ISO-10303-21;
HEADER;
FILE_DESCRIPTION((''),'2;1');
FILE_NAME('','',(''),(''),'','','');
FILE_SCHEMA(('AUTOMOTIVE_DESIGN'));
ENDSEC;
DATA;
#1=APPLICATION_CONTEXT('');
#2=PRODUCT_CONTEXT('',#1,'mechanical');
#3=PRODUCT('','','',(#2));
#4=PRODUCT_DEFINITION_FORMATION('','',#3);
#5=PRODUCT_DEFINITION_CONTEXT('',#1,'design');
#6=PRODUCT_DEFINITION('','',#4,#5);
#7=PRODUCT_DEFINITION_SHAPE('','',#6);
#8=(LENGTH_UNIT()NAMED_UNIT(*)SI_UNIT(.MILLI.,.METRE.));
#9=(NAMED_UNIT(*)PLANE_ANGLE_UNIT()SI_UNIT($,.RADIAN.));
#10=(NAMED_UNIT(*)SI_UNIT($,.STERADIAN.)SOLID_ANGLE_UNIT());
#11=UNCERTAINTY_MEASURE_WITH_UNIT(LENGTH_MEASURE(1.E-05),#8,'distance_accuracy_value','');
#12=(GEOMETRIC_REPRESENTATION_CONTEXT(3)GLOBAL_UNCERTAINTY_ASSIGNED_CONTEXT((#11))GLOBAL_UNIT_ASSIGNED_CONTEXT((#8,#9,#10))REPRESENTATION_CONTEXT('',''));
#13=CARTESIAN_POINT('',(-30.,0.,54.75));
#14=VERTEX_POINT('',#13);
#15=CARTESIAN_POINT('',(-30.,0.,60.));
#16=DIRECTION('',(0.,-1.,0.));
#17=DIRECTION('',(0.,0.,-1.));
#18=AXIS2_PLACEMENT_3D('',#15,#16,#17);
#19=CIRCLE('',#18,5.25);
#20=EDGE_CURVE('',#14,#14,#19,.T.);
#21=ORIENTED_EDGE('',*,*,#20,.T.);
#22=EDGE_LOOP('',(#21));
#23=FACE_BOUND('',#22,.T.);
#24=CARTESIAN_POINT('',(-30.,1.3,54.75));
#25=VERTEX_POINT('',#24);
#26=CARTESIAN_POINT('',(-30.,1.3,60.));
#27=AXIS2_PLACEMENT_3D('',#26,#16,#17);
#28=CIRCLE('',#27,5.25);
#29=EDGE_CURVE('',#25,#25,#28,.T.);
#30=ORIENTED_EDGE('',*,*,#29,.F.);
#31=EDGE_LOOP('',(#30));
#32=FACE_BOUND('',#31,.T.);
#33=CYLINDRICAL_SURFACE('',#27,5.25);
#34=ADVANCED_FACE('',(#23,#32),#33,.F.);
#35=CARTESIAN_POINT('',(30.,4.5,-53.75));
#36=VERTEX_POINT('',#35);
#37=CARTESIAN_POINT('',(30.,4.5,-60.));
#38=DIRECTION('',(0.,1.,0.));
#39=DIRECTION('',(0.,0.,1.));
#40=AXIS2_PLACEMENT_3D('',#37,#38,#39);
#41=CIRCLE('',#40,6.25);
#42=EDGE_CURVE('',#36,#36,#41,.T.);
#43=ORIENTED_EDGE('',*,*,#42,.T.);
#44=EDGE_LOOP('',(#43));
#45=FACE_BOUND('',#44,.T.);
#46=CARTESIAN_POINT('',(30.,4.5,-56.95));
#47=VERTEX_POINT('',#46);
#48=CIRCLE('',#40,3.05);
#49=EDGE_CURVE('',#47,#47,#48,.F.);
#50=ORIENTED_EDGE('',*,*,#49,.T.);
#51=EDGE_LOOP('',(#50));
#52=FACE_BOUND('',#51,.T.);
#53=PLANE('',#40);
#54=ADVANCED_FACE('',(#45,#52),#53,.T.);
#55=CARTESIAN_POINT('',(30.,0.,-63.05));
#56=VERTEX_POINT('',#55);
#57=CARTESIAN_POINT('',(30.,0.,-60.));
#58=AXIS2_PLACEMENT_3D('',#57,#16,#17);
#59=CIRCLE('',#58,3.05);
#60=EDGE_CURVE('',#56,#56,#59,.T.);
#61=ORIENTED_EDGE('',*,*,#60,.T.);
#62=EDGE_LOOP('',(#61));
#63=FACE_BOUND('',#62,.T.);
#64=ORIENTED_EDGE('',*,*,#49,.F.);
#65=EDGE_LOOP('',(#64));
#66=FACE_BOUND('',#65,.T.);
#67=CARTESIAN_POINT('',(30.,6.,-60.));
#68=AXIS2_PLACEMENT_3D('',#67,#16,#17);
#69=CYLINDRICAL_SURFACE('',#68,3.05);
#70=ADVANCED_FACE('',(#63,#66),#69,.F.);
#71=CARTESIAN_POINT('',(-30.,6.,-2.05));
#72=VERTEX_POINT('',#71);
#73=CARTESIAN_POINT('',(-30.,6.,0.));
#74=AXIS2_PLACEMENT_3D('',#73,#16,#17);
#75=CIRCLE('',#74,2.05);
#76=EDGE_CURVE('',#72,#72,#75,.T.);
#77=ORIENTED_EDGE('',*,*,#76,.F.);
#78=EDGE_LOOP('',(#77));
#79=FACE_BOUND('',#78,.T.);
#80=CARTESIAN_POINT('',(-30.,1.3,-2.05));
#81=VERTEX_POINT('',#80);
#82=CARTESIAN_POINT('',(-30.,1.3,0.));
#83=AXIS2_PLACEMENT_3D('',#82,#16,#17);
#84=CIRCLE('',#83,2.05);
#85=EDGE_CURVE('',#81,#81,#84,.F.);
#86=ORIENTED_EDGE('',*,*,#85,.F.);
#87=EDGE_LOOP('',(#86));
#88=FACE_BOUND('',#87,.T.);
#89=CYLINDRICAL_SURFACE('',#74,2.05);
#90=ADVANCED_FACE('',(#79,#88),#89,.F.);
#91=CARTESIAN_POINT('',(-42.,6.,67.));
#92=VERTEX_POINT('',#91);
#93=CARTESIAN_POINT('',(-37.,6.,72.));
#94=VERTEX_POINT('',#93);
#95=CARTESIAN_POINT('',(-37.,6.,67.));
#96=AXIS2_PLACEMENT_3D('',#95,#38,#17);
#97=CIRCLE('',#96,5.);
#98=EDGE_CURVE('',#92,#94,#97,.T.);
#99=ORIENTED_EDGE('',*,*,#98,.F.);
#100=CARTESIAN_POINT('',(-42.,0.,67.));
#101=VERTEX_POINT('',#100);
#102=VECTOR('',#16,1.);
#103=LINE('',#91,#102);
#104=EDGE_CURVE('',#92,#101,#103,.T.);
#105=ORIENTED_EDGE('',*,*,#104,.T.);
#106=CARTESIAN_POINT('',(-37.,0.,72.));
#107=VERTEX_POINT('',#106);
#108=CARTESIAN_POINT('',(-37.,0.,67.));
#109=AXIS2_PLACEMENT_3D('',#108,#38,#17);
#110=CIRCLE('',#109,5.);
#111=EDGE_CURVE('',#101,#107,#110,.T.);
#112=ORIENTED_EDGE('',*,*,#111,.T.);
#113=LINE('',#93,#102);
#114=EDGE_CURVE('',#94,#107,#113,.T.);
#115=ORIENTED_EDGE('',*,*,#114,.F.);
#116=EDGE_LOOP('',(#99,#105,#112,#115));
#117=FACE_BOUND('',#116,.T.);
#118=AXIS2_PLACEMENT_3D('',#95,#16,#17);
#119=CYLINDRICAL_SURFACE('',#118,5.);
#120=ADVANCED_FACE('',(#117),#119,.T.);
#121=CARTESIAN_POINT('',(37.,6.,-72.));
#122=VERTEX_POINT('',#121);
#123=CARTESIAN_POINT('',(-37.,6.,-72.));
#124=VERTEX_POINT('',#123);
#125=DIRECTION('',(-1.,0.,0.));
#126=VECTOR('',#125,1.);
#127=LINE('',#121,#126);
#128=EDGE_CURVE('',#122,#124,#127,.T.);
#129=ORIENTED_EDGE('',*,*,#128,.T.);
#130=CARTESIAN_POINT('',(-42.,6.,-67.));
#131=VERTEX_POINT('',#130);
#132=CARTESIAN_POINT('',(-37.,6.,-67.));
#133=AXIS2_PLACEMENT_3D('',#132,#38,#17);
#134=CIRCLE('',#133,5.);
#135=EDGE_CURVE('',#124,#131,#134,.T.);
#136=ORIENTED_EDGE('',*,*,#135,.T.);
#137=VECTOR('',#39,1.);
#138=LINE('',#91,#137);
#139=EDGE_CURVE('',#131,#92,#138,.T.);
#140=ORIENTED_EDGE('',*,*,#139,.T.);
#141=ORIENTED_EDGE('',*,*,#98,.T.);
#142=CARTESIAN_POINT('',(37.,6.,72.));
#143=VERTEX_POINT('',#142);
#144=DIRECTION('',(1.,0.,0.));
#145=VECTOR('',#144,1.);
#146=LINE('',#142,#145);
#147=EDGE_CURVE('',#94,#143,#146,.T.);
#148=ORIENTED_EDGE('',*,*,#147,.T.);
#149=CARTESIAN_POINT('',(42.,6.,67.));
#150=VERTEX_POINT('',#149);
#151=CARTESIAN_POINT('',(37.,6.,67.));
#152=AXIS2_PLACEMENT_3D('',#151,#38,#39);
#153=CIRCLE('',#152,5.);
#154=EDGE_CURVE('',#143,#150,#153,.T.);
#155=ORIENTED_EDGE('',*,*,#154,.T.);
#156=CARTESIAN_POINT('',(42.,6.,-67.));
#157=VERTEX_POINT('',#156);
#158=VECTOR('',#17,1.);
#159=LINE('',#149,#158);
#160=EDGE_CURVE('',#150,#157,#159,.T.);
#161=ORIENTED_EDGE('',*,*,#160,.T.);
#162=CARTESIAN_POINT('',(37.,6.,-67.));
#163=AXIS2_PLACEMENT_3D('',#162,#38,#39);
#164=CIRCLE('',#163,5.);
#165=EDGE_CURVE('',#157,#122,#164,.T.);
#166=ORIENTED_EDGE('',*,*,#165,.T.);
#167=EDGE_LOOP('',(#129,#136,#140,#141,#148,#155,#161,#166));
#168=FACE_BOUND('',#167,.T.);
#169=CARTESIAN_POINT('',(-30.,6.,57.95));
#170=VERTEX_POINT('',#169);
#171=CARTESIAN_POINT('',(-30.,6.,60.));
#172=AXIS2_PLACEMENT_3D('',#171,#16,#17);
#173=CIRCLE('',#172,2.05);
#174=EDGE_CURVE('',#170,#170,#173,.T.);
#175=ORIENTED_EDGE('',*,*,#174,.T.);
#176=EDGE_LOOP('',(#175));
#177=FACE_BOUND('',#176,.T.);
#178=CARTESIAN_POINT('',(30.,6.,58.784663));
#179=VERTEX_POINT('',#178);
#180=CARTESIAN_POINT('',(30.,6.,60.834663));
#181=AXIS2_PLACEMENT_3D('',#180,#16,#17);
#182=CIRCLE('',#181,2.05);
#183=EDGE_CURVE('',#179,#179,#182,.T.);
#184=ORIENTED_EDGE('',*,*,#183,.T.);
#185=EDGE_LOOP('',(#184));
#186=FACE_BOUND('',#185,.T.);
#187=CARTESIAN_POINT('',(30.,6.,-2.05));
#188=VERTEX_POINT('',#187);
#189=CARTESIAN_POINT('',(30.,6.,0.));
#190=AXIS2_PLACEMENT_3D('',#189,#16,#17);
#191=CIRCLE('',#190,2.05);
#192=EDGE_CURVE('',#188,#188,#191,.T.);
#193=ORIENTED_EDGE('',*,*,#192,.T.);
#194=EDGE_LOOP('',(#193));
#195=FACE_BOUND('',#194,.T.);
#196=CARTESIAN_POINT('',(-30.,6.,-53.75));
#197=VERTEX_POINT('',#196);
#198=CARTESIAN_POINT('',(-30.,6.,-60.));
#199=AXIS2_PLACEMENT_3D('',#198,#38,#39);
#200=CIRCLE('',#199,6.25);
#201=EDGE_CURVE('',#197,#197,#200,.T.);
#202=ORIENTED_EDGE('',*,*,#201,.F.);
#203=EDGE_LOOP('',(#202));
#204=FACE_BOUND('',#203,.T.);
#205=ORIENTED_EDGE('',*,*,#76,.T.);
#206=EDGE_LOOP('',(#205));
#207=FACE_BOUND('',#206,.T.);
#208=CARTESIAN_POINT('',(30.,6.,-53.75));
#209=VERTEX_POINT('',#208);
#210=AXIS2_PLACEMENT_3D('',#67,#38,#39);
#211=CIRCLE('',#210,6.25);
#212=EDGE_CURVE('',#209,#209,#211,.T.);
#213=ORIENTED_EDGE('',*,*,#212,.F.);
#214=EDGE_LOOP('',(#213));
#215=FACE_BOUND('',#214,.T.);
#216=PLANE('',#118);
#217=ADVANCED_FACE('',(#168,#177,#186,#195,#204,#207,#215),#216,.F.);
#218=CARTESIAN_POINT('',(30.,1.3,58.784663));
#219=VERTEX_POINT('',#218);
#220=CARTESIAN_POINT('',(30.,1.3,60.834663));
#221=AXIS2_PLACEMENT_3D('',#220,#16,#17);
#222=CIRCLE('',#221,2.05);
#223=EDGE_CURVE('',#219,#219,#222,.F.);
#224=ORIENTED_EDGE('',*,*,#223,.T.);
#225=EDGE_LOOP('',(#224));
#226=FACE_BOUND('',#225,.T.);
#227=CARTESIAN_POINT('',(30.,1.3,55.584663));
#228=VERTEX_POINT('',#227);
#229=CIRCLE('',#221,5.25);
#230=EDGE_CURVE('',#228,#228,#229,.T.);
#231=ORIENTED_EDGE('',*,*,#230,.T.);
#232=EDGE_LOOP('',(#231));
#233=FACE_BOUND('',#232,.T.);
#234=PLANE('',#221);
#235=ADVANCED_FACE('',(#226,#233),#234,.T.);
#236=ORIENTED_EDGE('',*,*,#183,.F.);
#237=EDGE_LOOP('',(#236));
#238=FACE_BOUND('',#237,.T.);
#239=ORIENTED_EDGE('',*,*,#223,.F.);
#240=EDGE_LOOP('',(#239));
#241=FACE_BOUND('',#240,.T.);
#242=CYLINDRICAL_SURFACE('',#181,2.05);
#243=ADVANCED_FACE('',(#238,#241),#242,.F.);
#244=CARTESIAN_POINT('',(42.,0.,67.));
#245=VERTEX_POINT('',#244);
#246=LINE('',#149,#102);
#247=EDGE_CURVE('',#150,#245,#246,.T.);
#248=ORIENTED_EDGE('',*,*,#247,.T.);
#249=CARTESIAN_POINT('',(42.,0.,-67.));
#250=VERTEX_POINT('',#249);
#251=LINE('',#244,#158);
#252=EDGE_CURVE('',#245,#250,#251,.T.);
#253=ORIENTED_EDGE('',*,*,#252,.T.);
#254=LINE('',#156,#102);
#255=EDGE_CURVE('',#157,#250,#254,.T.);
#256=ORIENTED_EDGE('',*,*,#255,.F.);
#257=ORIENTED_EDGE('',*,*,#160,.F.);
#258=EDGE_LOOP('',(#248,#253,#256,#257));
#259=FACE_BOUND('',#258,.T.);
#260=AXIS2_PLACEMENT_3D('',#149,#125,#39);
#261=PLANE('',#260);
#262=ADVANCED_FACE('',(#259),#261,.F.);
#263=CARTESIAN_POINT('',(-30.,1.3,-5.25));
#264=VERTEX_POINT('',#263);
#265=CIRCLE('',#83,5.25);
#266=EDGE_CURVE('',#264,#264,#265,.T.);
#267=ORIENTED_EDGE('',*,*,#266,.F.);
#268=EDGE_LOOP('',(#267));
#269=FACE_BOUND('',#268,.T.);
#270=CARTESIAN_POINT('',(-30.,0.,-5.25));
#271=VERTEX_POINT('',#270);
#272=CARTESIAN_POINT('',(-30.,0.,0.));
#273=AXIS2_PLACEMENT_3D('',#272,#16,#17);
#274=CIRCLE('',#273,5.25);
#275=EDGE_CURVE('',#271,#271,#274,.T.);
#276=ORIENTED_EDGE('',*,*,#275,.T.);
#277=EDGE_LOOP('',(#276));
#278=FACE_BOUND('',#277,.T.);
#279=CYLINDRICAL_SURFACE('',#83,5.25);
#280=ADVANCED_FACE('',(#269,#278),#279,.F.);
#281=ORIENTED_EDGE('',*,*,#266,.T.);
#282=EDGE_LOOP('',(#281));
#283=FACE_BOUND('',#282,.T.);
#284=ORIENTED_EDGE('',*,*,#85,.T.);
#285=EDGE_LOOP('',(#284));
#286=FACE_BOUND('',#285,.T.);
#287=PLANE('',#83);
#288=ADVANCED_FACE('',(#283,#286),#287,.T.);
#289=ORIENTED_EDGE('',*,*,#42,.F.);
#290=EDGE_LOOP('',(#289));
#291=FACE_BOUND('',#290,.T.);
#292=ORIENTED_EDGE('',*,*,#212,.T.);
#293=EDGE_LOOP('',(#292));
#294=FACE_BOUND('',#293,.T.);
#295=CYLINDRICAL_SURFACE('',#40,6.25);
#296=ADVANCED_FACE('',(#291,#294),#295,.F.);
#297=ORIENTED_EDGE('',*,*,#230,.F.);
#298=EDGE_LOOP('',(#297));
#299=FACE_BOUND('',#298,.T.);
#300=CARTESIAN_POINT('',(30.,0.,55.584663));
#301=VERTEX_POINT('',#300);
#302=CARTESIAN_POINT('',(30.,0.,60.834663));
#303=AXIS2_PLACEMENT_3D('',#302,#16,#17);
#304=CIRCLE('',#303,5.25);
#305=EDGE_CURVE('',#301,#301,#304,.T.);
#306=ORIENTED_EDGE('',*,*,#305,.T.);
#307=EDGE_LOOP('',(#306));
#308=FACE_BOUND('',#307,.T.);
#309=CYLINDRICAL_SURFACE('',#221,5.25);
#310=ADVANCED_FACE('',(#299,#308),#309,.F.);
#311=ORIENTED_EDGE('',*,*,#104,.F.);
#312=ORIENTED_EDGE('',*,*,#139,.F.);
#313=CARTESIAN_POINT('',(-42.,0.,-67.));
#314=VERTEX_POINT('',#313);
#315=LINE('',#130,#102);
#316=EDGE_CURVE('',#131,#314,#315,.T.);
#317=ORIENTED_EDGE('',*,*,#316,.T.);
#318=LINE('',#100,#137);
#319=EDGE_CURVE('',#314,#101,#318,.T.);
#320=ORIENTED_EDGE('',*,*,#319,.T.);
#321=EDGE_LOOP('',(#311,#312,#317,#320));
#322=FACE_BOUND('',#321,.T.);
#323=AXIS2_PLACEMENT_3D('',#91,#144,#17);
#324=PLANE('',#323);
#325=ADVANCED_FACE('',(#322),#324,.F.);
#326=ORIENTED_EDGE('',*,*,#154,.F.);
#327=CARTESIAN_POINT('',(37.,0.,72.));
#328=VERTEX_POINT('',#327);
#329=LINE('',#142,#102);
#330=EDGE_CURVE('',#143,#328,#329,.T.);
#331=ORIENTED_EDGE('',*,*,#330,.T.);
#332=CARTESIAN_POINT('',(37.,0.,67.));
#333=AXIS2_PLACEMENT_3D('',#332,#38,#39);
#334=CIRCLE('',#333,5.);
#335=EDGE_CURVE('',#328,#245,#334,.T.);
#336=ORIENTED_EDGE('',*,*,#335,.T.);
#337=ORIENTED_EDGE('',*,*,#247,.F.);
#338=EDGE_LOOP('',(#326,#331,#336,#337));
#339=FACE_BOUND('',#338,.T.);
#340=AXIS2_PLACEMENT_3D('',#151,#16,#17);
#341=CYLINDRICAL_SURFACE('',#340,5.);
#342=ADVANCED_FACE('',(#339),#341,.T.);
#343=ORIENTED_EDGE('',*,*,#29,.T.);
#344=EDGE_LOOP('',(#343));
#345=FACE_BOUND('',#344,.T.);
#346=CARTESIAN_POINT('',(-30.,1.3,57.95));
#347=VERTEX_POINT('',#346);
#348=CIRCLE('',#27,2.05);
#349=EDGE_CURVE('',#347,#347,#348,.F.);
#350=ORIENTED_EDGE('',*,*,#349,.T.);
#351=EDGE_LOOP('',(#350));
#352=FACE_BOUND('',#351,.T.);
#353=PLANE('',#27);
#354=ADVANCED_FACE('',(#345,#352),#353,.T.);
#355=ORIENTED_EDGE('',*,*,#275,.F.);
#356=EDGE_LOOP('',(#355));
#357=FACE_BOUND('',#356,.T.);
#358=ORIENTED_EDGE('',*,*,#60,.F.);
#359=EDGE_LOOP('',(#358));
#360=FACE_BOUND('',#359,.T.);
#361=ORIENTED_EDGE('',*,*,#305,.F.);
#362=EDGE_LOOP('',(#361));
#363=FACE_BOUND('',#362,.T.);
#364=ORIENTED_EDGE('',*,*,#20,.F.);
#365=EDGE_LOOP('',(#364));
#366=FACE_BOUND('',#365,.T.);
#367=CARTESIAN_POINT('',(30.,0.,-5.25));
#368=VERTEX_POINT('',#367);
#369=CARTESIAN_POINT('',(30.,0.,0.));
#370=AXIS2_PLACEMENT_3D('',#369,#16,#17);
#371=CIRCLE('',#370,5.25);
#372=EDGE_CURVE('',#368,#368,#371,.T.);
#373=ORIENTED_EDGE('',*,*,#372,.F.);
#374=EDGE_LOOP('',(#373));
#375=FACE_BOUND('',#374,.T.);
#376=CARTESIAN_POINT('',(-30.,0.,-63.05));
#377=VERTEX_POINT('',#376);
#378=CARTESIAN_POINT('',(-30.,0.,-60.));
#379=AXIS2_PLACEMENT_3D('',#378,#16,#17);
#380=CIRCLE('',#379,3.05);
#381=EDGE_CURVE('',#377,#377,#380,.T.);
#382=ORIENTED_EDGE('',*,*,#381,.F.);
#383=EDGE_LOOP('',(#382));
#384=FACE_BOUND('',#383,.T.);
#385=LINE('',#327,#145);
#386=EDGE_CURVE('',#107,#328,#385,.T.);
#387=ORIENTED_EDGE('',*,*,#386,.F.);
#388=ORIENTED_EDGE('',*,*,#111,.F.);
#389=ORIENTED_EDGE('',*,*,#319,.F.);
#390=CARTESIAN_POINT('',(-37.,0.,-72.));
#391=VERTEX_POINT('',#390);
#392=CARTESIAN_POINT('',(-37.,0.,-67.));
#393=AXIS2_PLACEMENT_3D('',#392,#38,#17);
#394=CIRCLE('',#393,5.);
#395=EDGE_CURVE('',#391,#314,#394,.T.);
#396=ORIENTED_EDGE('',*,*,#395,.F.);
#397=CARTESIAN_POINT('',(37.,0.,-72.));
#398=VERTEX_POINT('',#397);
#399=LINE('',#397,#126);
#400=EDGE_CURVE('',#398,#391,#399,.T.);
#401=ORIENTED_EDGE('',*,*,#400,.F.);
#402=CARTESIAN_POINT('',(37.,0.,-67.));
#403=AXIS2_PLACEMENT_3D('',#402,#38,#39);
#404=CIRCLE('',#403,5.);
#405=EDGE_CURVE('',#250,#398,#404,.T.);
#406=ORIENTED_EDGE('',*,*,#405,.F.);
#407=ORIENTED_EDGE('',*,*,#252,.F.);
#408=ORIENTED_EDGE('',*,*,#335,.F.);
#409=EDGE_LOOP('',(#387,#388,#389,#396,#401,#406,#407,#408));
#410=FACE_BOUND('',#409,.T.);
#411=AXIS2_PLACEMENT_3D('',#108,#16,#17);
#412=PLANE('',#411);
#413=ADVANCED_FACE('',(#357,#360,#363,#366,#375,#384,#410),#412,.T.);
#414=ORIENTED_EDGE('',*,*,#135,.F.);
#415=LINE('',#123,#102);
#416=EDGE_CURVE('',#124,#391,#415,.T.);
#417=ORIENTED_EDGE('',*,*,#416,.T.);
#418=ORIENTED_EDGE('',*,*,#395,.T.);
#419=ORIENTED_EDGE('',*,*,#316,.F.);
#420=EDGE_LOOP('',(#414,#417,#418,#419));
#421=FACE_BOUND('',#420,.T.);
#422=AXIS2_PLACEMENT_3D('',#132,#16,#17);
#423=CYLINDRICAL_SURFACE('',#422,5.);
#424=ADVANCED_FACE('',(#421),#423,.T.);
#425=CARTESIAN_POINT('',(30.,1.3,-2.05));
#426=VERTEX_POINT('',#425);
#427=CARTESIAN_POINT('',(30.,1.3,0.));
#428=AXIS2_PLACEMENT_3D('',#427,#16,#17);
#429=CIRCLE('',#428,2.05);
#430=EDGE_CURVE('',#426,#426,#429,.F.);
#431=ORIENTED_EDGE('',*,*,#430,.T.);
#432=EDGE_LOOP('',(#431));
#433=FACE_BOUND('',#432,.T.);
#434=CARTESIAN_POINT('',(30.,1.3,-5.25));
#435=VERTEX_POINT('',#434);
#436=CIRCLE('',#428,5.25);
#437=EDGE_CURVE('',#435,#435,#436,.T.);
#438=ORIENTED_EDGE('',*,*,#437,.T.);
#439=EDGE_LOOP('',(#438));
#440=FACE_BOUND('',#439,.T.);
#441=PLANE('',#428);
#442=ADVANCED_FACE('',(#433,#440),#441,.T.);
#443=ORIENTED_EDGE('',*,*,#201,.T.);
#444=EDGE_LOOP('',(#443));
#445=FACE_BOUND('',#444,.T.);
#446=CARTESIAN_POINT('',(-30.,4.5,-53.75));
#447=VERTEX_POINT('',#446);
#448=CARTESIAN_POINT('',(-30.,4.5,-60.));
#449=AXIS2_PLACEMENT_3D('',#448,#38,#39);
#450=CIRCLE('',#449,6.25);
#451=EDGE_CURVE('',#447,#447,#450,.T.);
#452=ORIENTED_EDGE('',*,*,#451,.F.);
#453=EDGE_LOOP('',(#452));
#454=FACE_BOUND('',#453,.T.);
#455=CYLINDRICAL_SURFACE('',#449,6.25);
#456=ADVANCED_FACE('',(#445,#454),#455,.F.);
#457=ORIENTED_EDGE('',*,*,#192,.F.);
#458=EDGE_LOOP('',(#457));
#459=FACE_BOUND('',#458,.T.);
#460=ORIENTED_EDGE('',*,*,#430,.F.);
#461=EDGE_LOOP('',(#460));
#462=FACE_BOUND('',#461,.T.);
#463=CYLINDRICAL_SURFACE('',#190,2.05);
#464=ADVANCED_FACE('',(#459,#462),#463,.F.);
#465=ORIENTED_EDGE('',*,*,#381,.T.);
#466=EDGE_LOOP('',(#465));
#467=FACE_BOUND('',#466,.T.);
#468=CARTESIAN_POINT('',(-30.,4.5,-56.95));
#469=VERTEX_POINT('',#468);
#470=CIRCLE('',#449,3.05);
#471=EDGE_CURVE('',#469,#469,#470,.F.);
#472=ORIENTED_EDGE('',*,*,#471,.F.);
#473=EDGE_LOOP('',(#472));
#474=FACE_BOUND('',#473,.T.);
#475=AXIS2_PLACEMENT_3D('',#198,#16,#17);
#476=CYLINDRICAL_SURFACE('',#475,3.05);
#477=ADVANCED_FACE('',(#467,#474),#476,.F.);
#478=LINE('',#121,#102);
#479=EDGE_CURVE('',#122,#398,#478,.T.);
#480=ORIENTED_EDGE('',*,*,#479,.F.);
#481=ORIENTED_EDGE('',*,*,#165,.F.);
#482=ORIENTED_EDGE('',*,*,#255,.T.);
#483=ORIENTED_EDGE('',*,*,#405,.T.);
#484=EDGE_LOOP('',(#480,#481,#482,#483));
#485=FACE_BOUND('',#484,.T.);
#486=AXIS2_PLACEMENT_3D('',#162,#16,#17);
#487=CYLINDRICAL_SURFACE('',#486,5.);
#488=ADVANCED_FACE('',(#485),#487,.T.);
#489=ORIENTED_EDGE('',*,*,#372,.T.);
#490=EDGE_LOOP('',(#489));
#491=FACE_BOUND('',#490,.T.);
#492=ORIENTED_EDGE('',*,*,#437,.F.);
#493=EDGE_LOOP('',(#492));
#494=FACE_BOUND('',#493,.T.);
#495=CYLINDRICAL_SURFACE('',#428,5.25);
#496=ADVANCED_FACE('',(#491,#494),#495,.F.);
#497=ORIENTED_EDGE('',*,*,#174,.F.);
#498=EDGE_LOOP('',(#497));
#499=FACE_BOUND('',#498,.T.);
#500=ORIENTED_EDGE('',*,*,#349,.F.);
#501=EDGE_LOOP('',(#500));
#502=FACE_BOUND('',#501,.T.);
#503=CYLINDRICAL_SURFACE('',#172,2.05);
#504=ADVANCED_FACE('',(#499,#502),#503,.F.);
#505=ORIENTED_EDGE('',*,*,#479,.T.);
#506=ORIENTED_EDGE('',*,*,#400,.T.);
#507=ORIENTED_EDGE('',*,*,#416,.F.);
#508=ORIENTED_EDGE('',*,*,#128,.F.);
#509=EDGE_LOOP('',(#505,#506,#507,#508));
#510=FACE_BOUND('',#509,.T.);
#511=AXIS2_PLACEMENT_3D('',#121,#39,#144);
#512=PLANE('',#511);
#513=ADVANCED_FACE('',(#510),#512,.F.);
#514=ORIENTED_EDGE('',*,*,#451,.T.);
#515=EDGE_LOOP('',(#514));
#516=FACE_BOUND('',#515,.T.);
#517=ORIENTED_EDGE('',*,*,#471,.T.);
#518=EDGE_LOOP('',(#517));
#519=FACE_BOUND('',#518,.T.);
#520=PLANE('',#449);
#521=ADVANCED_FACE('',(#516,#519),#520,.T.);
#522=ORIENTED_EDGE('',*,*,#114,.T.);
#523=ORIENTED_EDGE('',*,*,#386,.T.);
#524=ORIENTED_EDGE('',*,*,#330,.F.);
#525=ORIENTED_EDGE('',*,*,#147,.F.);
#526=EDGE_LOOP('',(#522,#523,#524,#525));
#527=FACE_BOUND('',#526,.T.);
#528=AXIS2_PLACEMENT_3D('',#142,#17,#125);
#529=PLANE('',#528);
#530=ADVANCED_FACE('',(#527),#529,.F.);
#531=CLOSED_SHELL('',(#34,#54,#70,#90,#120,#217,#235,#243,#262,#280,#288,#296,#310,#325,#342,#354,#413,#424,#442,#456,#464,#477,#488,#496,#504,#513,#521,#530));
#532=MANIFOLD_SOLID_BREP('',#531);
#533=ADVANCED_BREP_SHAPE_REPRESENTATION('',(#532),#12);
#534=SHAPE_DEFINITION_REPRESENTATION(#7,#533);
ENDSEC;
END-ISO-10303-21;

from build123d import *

# Parameters (mm, degrees)
EXTRUDE_1_DEPTH     = 6
SKETCH_2_R          = 2.05
SKETCH_2_R_2        = 3.05
CUT_EXTRUDE_1_DEPTH = 6
SKETCH_3_R          = 5.25
CUT_EXTRUDE_2_DEPTH = 1.3
SKETCH_5_R          = 6.25
CUT_EXTRUDE_3_DEPTH = 1.5


with BuildPart() as part:
    # 草图1 → 凸台-拉伸1 (new body)
    with BuildSketch(Plane(origin=(0, 0, 0), x_dir=(1, 0, 0), z_dir=(0, 1, 0))):
        with BuildLine():
            Line((37, -72), (-37, -72))
            ThreePointArc((-37, -72), (-40.535533906, -70.535533906), (-42, -67))
            Line((-42, -67), (-42, 67))
            ThreePointArc((-42, 67), (-40.535533906, 70.535533906), (-37, 72))
            Line((-37, 72), (37, 72))
            ThreePointArc((37, 72), (40.535533906, 70.535533906), (42, 67))
            Line((42, 67), (42, -67))
            ThreePointArc((42, -67), (40.535533906, -70.535533906), (37, -72))
        make_face()
    extrude(amount=EXTRUDE_1_DEPTH)

    # 草图2 → 切除-拉伸1 (cut)
    with BuildSketch(Plane.XZ):
        with Locations(Location((-30, 60, 0), (0, 0, 270))):
            Circle(SKETCH_2_R)
        with Locations(Location((30, 60.83466259, 0), (0, 0, 270))):
            Circle(SKETCH_2_R)
        with Locations(Location((-30, 0, 0), (0, 0, 270))):
            Circle(SKETCH_2_R)
        with Locations(Location((30, 0, 0), (0, 0, 270))):
            Circle(SKETCH_2_R)
        with Locations(Location((-30, -60, 0), (0, 0, 270))):
            Circle(SKETCH_2_R_2)
        with Locations(Location((30, -60, 0), (0, 0, 270))):
            Circle(SKETCH_2_R_2)
    extrude(amount=-CUT_EXTRUDE_1_DEPTH, mode=Mode.SUBTRACT)

    # 草图3 → 切除-拉伸2 (cut)
    with BuildSketch(Plane.XZ):
        with Locations(Location((-30, 60, 0), (0, 0, 270))):
            Circle(SKETCH_3_R)
        with Locations(Location((30, 60.83466259, 0), (0, 0, 270))):
            Circle(SKETCH_3_R)
        with Locations(Location((-30, 0, 0), (0, 0, 270))):
            Circle(SKETCH_3_R)
        with Locations(Location((30, 0, 0), (0, 0, 270))):
            Circle(SKETCH_3_R)
    extrude(amount=-CUT_EXTRUDE_2_DEPTH, mode=Mode.SUBTRACT)

    # 草图5 → 切除-拉伸3 (cut)
    with BuildSketch(Plane(origin=(0, 6, 0), x_dir=(1, 0, 0), z_dir=(0, 1, 0))):
        with Locations(Location((-30, 60, 0), (0, 0, 270))):
            Circle(SKETCH_5_R)
        with Locations(Location((30, 60, 0), (0, 0, 270))):
            Circle(SKETCH_5_R)
    extrude(amount=-CUT_EXTRUDE_3_DEPTH, mode=Mode.SUBTRACT)


solid = part.part
